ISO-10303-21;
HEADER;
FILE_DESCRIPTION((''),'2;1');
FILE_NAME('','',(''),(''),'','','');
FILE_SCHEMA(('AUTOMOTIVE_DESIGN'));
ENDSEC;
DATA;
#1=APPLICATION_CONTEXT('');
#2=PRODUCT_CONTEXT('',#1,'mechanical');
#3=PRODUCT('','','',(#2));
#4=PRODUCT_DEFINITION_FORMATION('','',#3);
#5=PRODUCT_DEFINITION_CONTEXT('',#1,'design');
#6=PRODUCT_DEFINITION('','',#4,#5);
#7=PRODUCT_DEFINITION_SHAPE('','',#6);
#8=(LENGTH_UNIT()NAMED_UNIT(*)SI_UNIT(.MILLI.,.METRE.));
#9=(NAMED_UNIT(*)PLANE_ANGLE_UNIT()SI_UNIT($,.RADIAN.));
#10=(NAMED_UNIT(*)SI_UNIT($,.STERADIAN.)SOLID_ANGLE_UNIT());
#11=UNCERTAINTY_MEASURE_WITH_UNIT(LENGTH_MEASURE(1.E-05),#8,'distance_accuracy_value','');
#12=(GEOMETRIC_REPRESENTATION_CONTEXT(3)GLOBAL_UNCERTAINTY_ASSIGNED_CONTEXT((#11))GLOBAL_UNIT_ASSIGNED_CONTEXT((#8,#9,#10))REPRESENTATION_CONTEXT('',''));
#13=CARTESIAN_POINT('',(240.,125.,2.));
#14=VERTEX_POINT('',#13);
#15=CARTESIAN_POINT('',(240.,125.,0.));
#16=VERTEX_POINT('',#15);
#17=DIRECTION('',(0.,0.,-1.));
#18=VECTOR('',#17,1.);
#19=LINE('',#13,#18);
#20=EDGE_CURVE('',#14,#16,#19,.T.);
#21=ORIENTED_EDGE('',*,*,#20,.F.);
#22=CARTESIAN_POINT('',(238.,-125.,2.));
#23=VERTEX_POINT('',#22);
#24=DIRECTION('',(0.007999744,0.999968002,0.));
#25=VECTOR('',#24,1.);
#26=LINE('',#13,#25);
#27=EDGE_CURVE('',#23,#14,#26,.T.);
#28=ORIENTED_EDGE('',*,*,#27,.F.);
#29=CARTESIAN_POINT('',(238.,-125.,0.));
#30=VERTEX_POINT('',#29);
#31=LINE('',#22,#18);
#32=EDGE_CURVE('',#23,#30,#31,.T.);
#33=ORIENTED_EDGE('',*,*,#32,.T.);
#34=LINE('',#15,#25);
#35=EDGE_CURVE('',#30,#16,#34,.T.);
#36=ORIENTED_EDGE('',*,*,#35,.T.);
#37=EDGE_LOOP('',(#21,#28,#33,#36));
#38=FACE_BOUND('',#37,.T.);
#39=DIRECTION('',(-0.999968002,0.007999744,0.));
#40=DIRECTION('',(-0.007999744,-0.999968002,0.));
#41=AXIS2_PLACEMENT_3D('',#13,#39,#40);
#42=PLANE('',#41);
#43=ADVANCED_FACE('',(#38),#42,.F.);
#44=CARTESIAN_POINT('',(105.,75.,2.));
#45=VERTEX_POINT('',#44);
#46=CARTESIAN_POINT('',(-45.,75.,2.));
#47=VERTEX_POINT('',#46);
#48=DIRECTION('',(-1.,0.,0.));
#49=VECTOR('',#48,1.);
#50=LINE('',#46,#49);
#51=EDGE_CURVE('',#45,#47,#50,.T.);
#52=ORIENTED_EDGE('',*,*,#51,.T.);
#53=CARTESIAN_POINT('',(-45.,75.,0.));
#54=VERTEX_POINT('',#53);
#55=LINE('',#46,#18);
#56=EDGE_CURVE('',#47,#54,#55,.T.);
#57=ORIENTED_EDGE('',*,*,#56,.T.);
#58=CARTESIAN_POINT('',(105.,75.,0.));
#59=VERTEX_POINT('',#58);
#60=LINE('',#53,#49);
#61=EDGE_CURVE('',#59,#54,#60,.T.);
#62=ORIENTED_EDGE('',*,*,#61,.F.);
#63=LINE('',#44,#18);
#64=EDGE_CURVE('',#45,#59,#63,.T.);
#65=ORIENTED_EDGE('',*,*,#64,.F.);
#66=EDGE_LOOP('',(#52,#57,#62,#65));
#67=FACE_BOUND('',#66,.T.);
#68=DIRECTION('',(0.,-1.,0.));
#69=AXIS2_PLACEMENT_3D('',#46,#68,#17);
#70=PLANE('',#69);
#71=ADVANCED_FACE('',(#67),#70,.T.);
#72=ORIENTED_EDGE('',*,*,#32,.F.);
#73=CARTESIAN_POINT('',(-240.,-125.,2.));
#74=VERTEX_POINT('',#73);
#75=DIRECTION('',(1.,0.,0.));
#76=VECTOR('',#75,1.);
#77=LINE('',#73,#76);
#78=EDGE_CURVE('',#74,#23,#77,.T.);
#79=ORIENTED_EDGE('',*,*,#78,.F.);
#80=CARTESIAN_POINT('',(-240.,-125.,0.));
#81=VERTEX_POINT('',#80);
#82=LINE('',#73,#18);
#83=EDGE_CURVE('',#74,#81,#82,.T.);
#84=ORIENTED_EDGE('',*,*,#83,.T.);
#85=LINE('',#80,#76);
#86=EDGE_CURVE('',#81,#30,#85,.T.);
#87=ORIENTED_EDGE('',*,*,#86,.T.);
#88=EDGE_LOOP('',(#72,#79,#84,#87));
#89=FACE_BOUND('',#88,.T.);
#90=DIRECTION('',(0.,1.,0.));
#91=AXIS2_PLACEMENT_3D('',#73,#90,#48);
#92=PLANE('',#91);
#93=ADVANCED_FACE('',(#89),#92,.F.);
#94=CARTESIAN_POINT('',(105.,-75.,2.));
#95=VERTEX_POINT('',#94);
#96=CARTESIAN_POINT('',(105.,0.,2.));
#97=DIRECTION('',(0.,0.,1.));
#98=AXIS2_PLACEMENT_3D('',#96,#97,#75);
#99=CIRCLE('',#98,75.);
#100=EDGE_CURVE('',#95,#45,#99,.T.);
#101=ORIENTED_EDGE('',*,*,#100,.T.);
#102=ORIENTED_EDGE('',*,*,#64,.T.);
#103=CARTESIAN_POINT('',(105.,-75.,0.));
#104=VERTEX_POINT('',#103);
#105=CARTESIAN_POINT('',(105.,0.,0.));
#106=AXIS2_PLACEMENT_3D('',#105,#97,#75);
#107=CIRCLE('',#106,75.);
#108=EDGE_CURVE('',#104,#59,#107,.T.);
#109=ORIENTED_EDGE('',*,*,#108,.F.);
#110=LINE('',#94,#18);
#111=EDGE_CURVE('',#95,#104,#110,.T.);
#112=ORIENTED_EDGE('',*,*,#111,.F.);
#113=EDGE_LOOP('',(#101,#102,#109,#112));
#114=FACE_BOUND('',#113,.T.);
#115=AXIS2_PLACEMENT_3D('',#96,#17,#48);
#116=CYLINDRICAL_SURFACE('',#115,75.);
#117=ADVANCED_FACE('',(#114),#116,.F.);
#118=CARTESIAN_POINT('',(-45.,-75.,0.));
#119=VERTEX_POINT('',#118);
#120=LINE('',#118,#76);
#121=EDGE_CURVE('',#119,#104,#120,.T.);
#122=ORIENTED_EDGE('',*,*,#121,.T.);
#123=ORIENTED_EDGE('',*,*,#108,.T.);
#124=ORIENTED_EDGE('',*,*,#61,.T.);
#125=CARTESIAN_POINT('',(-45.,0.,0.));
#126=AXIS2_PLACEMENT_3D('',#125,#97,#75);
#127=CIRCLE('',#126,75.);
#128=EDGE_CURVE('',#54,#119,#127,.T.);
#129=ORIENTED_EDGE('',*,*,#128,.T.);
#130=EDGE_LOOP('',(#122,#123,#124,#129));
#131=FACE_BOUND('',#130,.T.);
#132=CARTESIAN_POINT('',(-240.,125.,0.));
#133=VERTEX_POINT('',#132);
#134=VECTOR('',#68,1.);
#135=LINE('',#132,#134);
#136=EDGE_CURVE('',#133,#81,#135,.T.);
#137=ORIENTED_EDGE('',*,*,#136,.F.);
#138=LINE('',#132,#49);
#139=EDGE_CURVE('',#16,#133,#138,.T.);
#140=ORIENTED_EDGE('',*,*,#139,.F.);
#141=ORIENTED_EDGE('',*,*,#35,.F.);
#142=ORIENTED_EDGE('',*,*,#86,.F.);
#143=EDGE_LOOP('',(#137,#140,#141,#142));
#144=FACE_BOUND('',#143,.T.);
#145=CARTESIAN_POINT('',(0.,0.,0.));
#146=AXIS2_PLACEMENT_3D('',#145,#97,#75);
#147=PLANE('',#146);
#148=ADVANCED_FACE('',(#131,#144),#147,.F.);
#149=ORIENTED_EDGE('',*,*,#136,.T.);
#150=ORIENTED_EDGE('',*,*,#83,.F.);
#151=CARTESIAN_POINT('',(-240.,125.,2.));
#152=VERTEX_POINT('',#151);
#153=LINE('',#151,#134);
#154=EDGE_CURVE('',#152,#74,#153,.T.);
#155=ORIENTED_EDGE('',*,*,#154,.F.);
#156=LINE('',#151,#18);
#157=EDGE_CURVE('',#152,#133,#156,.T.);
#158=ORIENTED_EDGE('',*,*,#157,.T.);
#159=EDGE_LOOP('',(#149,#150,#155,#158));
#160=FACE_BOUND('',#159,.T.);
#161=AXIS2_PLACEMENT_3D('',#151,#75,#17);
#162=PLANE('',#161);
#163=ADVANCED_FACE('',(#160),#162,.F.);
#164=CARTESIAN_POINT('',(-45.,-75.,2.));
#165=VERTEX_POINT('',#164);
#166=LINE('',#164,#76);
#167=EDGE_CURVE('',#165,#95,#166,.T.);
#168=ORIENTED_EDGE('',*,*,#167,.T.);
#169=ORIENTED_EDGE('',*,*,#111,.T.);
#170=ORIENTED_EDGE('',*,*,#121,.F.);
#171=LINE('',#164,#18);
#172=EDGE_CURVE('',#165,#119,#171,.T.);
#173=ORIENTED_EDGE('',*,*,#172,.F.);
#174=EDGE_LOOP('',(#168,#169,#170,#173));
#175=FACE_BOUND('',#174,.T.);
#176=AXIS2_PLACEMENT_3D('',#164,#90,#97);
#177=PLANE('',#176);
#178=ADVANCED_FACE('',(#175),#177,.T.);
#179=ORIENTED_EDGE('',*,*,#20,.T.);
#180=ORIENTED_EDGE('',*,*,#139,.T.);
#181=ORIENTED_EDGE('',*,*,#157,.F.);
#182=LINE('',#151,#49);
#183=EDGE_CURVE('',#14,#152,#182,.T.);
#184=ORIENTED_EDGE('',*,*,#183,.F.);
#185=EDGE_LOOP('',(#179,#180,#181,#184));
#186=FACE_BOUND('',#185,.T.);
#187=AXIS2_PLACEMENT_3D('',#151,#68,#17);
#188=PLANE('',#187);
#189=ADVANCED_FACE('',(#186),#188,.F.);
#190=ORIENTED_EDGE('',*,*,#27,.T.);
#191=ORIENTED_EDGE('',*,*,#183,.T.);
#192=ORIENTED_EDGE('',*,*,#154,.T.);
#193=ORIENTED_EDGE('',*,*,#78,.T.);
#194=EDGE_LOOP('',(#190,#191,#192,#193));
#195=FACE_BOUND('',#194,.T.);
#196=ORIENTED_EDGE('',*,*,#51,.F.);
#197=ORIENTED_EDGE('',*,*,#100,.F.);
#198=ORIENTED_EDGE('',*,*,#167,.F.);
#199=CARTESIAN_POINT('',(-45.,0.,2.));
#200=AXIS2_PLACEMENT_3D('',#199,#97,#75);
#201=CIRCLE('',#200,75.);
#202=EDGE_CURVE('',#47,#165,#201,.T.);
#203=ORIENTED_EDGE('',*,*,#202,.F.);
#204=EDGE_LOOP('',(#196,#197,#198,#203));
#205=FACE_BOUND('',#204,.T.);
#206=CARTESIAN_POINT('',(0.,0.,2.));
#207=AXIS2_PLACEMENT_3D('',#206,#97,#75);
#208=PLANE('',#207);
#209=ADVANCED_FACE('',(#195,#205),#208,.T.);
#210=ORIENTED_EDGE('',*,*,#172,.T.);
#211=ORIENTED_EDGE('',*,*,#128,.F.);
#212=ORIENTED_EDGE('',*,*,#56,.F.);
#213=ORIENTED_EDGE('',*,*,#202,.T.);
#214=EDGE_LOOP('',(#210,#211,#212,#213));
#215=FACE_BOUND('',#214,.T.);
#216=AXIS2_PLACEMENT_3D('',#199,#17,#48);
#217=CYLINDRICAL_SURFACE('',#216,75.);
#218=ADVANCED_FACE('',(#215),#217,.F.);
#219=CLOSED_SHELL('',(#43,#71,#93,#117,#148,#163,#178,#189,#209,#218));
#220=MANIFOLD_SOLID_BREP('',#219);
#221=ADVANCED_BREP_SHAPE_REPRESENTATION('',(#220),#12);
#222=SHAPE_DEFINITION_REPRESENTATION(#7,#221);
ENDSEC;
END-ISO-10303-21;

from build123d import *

# Parameters (mm, degrees)
BOSS_EXTRUDE1_DEPTH = 2


with BuildPart() as part:
    # Model → Boss-Extrude1 (new body)
    with BuildSketch(Plane.XY):
        Polygon((-240, 125), (240, 125), (238, -125), (-240, -125), align=None)
        with BuildLine():
            Line((-45, 75), (105, 75))
            ThreePointArc((105, 75), (180, 0), (105, -75))
            Line((105, -75), (-45, -75))
            ThreePointArc((-45, -75), (-120, 0), (-45, 75))
        make_face(mode=Mode.SUBTRACT)
    extrude(amount=BOSS_EXTRUDE1_DEPTH)


solid = part.part
